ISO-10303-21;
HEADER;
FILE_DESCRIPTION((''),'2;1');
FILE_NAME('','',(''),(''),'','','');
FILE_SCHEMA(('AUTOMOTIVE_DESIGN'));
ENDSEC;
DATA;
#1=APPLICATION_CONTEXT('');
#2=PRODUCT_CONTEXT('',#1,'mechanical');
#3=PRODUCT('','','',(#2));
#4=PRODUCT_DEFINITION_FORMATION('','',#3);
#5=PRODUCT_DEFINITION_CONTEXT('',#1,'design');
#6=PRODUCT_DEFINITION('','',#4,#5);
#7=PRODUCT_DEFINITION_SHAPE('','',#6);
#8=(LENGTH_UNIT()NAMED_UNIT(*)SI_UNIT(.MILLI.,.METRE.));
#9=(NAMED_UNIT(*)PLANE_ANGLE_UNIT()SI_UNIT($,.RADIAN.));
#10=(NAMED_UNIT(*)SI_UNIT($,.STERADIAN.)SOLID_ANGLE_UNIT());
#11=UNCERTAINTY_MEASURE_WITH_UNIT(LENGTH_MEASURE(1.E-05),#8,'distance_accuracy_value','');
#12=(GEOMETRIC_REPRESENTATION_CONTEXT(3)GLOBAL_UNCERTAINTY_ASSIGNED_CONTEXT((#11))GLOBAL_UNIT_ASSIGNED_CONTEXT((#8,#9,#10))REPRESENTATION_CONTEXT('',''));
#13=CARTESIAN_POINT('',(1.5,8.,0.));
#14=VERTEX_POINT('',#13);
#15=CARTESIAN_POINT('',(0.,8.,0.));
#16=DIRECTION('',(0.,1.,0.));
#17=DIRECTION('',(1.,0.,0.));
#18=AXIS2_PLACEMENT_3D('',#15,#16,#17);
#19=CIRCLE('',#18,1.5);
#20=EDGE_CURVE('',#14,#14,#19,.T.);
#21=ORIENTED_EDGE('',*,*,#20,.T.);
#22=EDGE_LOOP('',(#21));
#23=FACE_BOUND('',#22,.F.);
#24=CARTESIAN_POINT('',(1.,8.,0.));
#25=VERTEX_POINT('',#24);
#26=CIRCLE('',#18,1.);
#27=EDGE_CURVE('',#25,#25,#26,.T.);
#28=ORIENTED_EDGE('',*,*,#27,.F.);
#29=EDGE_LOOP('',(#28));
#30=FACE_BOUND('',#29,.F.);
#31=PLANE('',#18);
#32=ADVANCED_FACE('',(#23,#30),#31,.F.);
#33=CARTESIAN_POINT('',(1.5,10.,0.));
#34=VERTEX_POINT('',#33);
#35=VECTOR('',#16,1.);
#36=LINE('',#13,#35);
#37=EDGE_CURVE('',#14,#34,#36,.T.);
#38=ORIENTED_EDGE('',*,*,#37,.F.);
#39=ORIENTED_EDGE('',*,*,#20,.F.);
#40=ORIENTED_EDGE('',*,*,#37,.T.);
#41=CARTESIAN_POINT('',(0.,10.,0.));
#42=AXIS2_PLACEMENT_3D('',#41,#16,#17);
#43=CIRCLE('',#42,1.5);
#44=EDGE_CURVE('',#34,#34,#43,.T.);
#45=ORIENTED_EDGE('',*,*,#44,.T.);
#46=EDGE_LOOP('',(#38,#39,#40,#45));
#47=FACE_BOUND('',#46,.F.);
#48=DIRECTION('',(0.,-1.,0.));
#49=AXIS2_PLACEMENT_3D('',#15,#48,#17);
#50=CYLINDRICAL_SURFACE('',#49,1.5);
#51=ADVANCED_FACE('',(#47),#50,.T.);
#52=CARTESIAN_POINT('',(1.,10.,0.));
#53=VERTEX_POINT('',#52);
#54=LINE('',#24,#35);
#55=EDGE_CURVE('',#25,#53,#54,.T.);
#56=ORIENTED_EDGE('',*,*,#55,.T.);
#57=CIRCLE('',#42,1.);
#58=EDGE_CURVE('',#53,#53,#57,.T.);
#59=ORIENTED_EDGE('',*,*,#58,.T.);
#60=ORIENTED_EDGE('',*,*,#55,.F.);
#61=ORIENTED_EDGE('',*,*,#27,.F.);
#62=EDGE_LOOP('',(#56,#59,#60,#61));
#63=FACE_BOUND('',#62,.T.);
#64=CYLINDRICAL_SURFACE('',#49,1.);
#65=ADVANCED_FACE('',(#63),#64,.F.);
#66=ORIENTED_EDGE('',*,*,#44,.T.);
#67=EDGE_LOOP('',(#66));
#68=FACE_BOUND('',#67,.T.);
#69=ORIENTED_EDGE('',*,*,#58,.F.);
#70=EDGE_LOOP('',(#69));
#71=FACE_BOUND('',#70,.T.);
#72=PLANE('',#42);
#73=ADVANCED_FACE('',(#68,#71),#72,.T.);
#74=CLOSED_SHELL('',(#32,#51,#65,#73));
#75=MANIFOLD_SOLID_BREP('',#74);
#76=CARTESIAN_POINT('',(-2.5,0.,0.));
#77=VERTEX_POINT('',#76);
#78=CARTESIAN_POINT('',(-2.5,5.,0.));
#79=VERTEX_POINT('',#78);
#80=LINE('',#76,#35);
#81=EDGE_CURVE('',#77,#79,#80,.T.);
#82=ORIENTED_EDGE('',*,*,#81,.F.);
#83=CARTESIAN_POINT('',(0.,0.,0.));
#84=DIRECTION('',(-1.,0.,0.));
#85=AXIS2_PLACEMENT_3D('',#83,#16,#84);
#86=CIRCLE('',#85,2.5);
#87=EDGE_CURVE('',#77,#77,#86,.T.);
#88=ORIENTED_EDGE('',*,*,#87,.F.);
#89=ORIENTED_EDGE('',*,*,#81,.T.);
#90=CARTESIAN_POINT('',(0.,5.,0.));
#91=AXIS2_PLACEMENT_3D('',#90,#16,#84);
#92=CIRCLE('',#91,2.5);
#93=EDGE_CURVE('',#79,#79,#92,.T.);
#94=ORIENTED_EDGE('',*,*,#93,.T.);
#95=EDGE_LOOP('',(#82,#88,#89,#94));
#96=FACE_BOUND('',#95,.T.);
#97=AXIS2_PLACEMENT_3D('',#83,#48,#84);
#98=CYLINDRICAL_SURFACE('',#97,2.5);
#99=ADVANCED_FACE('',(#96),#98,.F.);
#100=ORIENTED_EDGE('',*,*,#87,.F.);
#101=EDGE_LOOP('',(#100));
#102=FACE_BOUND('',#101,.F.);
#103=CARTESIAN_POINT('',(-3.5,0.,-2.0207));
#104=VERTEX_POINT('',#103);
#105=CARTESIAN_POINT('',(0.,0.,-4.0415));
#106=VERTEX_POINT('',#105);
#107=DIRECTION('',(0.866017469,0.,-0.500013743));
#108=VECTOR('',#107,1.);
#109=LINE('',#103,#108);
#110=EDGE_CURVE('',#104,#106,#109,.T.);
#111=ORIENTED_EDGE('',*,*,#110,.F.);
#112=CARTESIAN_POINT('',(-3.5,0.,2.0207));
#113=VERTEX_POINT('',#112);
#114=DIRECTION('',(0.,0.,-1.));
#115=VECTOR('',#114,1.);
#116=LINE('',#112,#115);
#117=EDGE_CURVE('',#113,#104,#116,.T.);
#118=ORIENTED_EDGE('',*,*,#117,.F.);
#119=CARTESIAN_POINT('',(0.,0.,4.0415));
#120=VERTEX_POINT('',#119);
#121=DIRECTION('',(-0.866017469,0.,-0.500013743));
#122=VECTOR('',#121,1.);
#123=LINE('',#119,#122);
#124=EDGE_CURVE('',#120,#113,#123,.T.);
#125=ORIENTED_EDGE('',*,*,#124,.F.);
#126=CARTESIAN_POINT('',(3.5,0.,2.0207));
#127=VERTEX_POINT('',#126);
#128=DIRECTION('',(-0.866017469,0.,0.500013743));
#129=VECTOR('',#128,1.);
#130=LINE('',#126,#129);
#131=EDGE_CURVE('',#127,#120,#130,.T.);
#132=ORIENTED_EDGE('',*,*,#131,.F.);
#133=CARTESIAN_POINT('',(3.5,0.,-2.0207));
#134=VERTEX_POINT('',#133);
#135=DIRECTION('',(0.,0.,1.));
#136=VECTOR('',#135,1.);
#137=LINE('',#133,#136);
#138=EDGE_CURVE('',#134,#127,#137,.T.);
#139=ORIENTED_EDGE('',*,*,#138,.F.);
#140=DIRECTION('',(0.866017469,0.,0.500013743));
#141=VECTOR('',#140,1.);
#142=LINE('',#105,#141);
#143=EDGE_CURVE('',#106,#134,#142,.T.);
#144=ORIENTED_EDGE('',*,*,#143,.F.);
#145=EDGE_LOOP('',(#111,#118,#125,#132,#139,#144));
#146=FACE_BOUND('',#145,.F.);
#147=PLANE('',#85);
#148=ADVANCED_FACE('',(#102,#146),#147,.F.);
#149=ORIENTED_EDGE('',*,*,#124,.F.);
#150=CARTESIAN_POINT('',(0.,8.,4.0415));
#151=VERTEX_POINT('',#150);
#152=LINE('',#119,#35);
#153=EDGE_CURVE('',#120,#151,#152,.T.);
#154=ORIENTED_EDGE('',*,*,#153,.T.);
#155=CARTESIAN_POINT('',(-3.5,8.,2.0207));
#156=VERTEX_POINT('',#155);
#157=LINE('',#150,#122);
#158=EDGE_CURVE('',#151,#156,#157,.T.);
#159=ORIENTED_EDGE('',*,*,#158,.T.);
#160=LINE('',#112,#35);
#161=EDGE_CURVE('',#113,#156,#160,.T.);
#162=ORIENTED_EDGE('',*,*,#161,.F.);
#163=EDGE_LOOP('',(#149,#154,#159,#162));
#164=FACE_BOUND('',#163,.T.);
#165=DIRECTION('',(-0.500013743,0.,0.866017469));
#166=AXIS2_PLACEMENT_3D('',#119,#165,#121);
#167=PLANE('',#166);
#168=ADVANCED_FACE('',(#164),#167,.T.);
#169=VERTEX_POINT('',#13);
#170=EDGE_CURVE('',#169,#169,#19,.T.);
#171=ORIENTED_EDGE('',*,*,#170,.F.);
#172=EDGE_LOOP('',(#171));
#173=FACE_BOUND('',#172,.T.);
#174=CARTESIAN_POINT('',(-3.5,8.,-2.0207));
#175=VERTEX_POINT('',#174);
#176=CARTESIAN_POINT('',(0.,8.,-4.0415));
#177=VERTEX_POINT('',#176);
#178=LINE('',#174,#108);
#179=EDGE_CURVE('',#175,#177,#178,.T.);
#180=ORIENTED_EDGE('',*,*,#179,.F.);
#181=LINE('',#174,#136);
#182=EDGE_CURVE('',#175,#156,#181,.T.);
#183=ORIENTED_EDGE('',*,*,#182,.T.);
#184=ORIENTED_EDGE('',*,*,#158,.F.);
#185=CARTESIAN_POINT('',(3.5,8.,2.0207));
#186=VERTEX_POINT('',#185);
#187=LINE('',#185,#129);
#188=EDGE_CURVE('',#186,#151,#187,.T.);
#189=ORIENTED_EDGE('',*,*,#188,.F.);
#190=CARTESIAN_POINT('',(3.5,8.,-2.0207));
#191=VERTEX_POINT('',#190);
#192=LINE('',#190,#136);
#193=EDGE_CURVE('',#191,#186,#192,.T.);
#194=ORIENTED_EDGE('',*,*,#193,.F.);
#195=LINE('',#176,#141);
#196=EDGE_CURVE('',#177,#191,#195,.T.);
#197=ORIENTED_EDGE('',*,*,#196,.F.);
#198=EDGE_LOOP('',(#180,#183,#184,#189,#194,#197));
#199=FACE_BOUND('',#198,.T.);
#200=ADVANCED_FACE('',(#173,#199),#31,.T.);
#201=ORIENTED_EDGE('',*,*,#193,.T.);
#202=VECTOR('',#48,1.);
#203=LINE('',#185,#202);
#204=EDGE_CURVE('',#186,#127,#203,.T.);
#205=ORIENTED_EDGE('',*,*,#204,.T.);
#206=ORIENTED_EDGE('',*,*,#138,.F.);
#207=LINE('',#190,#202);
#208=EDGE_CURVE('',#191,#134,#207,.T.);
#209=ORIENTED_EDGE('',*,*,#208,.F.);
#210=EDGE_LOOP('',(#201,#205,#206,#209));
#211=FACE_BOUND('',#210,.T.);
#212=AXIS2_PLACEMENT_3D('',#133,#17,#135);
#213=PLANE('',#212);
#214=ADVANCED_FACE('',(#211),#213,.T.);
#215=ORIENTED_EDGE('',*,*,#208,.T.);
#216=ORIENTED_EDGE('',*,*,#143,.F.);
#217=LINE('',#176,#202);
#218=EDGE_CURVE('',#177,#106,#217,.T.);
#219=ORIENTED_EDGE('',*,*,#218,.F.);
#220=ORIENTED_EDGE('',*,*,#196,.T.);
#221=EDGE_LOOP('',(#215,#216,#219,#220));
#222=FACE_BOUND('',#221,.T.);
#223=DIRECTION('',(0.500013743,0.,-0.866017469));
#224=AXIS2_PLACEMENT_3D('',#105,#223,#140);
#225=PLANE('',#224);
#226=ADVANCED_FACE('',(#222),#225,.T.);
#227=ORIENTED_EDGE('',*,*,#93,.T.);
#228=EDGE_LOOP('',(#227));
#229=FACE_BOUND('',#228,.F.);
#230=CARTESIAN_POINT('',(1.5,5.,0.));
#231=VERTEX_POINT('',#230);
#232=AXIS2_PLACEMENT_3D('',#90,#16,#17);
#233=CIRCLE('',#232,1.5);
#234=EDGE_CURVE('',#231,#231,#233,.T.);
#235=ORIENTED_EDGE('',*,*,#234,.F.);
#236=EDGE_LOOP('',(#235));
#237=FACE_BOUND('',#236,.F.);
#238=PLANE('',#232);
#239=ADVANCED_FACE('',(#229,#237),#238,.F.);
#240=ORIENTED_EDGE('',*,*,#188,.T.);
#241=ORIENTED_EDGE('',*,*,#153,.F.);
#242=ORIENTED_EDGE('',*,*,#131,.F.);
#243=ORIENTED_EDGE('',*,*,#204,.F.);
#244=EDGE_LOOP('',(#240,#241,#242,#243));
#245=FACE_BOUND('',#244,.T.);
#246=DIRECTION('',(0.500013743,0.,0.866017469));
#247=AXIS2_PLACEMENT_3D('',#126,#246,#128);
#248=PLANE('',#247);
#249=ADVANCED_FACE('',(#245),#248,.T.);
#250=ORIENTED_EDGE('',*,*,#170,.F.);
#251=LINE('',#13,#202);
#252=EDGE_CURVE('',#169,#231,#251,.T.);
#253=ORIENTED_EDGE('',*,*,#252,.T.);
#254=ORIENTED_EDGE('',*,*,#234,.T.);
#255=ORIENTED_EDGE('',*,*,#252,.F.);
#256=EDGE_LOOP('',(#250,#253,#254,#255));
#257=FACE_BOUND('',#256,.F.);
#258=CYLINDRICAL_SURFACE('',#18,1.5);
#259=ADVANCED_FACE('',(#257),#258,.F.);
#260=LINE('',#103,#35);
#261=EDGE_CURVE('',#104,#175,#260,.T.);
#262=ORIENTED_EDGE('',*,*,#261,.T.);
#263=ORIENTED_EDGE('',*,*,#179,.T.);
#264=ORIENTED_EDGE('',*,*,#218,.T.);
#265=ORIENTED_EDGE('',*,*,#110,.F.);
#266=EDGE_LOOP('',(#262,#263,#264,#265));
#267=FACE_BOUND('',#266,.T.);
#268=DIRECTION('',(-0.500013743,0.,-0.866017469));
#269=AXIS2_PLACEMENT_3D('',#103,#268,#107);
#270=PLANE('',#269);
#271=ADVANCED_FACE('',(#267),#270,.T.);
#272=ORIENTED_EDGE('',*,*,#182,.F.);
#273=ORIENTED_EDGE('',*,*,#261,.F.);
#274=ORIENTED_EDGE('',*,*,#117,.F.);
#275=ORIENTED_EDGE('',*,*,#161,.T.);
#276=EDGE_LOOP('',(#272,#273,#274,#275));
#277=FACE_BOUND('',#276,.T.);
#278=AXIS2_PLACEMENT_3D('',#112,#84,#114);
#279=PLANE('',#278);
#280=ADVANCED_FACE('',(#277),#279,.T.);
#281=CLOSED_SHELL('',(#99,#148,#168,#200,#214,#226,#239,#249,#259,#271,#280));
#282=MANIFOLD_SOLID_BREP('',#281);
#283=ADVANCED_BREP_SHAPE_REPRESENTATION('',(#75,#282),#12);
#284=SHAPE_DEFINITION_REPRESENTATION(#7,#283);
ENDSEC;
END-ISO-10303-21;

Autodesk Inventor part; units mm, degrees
ref_plane "YZ Plane" through (0, 0, 0) normal (1, 0, 0) x (0, 1, 0)
ref_plane "XZ Plane" through (0, 0, 0) normal (0, 1, 0) x (-1, 0, 0)
ref_plane "XY Plane" through (0, 0, 0) normal (0, 0, 1) x (1, 0, 0)
sketch "Sketch1" plane through (0, 0, 0) normal (0, 1, 0) x (-1, 0, 0)
  line L0 (3.5, -2.0207) -> (0, -4.0415)
  line L1 (0, -4.0415) -> (-3.5, -2.0207)
  line L2 (-3.5, -2.0207) -> (-3.5, 2.0207)
  line L3 (-3.5, 2.0207) -> (0, 4.0415)
  line L4 (0, 4.0415) -> (3.5, 2.0207)
  line L5 (3.5, 2.0207) -> (3.5, -2.0207)
  circle A0 centre (0, 0) radius 2.5
  point P0 (3.5, 0)
  dimension "d1" = 5
extrude "Extrusion1" add sketch "Sketch1" along normal blind 5
thread "Thread1" size "M5x0.8" class "6H" standard "ANSI Metric M Profile" full length
sketch "Sketch2" plane through (0, 5, 0) normal (0, 1, 0) x (1, 0, 0)
  circle A0 centre (0, 0) radius 2.5 projected
  line L0 (-3.5, 2.0207) -> (-3.5, -2.0207) projected
  line L1 (-3.5, 2.0207) -> (0, 4.0415)
  line L2 (0, 4.0415) -> (3.5, 2.0207)
  line L3 (3.5, 2.0207) -> (3.5, -2.0207)
  line L4 (3.5, -2.0207) -> (0, -4.0415)
  line L5 (0, -4.0415) -> (-3.5, -2.0207)
  line L6 (-3.5, -2.0207) -> (-3.5, 2.0207)
  point P0 (-3.5, 0)
extrude "Extrusion2" add sketch "Sketch2" along normal blind 3 contours A0 | L1 L2 L3 L4 L5 L0
sketch "Sketch3" plane through (0, 8, 0) normal (0, 1, 0) x (1, 0, 0)
  circle A0 centre (0, 0) radius 1
  circle A1 centre (0, 0) radius 1.5
  dimension "d8" = 2
  dimension "d9" = 3
extrude "Extrusion3" add sketch "Sketch3" along normal blind 2
extrude "Extrusion4" cut sketch "Sketch3" against normal up to next contours A0 | A1
properties part number "pipeJoint"
